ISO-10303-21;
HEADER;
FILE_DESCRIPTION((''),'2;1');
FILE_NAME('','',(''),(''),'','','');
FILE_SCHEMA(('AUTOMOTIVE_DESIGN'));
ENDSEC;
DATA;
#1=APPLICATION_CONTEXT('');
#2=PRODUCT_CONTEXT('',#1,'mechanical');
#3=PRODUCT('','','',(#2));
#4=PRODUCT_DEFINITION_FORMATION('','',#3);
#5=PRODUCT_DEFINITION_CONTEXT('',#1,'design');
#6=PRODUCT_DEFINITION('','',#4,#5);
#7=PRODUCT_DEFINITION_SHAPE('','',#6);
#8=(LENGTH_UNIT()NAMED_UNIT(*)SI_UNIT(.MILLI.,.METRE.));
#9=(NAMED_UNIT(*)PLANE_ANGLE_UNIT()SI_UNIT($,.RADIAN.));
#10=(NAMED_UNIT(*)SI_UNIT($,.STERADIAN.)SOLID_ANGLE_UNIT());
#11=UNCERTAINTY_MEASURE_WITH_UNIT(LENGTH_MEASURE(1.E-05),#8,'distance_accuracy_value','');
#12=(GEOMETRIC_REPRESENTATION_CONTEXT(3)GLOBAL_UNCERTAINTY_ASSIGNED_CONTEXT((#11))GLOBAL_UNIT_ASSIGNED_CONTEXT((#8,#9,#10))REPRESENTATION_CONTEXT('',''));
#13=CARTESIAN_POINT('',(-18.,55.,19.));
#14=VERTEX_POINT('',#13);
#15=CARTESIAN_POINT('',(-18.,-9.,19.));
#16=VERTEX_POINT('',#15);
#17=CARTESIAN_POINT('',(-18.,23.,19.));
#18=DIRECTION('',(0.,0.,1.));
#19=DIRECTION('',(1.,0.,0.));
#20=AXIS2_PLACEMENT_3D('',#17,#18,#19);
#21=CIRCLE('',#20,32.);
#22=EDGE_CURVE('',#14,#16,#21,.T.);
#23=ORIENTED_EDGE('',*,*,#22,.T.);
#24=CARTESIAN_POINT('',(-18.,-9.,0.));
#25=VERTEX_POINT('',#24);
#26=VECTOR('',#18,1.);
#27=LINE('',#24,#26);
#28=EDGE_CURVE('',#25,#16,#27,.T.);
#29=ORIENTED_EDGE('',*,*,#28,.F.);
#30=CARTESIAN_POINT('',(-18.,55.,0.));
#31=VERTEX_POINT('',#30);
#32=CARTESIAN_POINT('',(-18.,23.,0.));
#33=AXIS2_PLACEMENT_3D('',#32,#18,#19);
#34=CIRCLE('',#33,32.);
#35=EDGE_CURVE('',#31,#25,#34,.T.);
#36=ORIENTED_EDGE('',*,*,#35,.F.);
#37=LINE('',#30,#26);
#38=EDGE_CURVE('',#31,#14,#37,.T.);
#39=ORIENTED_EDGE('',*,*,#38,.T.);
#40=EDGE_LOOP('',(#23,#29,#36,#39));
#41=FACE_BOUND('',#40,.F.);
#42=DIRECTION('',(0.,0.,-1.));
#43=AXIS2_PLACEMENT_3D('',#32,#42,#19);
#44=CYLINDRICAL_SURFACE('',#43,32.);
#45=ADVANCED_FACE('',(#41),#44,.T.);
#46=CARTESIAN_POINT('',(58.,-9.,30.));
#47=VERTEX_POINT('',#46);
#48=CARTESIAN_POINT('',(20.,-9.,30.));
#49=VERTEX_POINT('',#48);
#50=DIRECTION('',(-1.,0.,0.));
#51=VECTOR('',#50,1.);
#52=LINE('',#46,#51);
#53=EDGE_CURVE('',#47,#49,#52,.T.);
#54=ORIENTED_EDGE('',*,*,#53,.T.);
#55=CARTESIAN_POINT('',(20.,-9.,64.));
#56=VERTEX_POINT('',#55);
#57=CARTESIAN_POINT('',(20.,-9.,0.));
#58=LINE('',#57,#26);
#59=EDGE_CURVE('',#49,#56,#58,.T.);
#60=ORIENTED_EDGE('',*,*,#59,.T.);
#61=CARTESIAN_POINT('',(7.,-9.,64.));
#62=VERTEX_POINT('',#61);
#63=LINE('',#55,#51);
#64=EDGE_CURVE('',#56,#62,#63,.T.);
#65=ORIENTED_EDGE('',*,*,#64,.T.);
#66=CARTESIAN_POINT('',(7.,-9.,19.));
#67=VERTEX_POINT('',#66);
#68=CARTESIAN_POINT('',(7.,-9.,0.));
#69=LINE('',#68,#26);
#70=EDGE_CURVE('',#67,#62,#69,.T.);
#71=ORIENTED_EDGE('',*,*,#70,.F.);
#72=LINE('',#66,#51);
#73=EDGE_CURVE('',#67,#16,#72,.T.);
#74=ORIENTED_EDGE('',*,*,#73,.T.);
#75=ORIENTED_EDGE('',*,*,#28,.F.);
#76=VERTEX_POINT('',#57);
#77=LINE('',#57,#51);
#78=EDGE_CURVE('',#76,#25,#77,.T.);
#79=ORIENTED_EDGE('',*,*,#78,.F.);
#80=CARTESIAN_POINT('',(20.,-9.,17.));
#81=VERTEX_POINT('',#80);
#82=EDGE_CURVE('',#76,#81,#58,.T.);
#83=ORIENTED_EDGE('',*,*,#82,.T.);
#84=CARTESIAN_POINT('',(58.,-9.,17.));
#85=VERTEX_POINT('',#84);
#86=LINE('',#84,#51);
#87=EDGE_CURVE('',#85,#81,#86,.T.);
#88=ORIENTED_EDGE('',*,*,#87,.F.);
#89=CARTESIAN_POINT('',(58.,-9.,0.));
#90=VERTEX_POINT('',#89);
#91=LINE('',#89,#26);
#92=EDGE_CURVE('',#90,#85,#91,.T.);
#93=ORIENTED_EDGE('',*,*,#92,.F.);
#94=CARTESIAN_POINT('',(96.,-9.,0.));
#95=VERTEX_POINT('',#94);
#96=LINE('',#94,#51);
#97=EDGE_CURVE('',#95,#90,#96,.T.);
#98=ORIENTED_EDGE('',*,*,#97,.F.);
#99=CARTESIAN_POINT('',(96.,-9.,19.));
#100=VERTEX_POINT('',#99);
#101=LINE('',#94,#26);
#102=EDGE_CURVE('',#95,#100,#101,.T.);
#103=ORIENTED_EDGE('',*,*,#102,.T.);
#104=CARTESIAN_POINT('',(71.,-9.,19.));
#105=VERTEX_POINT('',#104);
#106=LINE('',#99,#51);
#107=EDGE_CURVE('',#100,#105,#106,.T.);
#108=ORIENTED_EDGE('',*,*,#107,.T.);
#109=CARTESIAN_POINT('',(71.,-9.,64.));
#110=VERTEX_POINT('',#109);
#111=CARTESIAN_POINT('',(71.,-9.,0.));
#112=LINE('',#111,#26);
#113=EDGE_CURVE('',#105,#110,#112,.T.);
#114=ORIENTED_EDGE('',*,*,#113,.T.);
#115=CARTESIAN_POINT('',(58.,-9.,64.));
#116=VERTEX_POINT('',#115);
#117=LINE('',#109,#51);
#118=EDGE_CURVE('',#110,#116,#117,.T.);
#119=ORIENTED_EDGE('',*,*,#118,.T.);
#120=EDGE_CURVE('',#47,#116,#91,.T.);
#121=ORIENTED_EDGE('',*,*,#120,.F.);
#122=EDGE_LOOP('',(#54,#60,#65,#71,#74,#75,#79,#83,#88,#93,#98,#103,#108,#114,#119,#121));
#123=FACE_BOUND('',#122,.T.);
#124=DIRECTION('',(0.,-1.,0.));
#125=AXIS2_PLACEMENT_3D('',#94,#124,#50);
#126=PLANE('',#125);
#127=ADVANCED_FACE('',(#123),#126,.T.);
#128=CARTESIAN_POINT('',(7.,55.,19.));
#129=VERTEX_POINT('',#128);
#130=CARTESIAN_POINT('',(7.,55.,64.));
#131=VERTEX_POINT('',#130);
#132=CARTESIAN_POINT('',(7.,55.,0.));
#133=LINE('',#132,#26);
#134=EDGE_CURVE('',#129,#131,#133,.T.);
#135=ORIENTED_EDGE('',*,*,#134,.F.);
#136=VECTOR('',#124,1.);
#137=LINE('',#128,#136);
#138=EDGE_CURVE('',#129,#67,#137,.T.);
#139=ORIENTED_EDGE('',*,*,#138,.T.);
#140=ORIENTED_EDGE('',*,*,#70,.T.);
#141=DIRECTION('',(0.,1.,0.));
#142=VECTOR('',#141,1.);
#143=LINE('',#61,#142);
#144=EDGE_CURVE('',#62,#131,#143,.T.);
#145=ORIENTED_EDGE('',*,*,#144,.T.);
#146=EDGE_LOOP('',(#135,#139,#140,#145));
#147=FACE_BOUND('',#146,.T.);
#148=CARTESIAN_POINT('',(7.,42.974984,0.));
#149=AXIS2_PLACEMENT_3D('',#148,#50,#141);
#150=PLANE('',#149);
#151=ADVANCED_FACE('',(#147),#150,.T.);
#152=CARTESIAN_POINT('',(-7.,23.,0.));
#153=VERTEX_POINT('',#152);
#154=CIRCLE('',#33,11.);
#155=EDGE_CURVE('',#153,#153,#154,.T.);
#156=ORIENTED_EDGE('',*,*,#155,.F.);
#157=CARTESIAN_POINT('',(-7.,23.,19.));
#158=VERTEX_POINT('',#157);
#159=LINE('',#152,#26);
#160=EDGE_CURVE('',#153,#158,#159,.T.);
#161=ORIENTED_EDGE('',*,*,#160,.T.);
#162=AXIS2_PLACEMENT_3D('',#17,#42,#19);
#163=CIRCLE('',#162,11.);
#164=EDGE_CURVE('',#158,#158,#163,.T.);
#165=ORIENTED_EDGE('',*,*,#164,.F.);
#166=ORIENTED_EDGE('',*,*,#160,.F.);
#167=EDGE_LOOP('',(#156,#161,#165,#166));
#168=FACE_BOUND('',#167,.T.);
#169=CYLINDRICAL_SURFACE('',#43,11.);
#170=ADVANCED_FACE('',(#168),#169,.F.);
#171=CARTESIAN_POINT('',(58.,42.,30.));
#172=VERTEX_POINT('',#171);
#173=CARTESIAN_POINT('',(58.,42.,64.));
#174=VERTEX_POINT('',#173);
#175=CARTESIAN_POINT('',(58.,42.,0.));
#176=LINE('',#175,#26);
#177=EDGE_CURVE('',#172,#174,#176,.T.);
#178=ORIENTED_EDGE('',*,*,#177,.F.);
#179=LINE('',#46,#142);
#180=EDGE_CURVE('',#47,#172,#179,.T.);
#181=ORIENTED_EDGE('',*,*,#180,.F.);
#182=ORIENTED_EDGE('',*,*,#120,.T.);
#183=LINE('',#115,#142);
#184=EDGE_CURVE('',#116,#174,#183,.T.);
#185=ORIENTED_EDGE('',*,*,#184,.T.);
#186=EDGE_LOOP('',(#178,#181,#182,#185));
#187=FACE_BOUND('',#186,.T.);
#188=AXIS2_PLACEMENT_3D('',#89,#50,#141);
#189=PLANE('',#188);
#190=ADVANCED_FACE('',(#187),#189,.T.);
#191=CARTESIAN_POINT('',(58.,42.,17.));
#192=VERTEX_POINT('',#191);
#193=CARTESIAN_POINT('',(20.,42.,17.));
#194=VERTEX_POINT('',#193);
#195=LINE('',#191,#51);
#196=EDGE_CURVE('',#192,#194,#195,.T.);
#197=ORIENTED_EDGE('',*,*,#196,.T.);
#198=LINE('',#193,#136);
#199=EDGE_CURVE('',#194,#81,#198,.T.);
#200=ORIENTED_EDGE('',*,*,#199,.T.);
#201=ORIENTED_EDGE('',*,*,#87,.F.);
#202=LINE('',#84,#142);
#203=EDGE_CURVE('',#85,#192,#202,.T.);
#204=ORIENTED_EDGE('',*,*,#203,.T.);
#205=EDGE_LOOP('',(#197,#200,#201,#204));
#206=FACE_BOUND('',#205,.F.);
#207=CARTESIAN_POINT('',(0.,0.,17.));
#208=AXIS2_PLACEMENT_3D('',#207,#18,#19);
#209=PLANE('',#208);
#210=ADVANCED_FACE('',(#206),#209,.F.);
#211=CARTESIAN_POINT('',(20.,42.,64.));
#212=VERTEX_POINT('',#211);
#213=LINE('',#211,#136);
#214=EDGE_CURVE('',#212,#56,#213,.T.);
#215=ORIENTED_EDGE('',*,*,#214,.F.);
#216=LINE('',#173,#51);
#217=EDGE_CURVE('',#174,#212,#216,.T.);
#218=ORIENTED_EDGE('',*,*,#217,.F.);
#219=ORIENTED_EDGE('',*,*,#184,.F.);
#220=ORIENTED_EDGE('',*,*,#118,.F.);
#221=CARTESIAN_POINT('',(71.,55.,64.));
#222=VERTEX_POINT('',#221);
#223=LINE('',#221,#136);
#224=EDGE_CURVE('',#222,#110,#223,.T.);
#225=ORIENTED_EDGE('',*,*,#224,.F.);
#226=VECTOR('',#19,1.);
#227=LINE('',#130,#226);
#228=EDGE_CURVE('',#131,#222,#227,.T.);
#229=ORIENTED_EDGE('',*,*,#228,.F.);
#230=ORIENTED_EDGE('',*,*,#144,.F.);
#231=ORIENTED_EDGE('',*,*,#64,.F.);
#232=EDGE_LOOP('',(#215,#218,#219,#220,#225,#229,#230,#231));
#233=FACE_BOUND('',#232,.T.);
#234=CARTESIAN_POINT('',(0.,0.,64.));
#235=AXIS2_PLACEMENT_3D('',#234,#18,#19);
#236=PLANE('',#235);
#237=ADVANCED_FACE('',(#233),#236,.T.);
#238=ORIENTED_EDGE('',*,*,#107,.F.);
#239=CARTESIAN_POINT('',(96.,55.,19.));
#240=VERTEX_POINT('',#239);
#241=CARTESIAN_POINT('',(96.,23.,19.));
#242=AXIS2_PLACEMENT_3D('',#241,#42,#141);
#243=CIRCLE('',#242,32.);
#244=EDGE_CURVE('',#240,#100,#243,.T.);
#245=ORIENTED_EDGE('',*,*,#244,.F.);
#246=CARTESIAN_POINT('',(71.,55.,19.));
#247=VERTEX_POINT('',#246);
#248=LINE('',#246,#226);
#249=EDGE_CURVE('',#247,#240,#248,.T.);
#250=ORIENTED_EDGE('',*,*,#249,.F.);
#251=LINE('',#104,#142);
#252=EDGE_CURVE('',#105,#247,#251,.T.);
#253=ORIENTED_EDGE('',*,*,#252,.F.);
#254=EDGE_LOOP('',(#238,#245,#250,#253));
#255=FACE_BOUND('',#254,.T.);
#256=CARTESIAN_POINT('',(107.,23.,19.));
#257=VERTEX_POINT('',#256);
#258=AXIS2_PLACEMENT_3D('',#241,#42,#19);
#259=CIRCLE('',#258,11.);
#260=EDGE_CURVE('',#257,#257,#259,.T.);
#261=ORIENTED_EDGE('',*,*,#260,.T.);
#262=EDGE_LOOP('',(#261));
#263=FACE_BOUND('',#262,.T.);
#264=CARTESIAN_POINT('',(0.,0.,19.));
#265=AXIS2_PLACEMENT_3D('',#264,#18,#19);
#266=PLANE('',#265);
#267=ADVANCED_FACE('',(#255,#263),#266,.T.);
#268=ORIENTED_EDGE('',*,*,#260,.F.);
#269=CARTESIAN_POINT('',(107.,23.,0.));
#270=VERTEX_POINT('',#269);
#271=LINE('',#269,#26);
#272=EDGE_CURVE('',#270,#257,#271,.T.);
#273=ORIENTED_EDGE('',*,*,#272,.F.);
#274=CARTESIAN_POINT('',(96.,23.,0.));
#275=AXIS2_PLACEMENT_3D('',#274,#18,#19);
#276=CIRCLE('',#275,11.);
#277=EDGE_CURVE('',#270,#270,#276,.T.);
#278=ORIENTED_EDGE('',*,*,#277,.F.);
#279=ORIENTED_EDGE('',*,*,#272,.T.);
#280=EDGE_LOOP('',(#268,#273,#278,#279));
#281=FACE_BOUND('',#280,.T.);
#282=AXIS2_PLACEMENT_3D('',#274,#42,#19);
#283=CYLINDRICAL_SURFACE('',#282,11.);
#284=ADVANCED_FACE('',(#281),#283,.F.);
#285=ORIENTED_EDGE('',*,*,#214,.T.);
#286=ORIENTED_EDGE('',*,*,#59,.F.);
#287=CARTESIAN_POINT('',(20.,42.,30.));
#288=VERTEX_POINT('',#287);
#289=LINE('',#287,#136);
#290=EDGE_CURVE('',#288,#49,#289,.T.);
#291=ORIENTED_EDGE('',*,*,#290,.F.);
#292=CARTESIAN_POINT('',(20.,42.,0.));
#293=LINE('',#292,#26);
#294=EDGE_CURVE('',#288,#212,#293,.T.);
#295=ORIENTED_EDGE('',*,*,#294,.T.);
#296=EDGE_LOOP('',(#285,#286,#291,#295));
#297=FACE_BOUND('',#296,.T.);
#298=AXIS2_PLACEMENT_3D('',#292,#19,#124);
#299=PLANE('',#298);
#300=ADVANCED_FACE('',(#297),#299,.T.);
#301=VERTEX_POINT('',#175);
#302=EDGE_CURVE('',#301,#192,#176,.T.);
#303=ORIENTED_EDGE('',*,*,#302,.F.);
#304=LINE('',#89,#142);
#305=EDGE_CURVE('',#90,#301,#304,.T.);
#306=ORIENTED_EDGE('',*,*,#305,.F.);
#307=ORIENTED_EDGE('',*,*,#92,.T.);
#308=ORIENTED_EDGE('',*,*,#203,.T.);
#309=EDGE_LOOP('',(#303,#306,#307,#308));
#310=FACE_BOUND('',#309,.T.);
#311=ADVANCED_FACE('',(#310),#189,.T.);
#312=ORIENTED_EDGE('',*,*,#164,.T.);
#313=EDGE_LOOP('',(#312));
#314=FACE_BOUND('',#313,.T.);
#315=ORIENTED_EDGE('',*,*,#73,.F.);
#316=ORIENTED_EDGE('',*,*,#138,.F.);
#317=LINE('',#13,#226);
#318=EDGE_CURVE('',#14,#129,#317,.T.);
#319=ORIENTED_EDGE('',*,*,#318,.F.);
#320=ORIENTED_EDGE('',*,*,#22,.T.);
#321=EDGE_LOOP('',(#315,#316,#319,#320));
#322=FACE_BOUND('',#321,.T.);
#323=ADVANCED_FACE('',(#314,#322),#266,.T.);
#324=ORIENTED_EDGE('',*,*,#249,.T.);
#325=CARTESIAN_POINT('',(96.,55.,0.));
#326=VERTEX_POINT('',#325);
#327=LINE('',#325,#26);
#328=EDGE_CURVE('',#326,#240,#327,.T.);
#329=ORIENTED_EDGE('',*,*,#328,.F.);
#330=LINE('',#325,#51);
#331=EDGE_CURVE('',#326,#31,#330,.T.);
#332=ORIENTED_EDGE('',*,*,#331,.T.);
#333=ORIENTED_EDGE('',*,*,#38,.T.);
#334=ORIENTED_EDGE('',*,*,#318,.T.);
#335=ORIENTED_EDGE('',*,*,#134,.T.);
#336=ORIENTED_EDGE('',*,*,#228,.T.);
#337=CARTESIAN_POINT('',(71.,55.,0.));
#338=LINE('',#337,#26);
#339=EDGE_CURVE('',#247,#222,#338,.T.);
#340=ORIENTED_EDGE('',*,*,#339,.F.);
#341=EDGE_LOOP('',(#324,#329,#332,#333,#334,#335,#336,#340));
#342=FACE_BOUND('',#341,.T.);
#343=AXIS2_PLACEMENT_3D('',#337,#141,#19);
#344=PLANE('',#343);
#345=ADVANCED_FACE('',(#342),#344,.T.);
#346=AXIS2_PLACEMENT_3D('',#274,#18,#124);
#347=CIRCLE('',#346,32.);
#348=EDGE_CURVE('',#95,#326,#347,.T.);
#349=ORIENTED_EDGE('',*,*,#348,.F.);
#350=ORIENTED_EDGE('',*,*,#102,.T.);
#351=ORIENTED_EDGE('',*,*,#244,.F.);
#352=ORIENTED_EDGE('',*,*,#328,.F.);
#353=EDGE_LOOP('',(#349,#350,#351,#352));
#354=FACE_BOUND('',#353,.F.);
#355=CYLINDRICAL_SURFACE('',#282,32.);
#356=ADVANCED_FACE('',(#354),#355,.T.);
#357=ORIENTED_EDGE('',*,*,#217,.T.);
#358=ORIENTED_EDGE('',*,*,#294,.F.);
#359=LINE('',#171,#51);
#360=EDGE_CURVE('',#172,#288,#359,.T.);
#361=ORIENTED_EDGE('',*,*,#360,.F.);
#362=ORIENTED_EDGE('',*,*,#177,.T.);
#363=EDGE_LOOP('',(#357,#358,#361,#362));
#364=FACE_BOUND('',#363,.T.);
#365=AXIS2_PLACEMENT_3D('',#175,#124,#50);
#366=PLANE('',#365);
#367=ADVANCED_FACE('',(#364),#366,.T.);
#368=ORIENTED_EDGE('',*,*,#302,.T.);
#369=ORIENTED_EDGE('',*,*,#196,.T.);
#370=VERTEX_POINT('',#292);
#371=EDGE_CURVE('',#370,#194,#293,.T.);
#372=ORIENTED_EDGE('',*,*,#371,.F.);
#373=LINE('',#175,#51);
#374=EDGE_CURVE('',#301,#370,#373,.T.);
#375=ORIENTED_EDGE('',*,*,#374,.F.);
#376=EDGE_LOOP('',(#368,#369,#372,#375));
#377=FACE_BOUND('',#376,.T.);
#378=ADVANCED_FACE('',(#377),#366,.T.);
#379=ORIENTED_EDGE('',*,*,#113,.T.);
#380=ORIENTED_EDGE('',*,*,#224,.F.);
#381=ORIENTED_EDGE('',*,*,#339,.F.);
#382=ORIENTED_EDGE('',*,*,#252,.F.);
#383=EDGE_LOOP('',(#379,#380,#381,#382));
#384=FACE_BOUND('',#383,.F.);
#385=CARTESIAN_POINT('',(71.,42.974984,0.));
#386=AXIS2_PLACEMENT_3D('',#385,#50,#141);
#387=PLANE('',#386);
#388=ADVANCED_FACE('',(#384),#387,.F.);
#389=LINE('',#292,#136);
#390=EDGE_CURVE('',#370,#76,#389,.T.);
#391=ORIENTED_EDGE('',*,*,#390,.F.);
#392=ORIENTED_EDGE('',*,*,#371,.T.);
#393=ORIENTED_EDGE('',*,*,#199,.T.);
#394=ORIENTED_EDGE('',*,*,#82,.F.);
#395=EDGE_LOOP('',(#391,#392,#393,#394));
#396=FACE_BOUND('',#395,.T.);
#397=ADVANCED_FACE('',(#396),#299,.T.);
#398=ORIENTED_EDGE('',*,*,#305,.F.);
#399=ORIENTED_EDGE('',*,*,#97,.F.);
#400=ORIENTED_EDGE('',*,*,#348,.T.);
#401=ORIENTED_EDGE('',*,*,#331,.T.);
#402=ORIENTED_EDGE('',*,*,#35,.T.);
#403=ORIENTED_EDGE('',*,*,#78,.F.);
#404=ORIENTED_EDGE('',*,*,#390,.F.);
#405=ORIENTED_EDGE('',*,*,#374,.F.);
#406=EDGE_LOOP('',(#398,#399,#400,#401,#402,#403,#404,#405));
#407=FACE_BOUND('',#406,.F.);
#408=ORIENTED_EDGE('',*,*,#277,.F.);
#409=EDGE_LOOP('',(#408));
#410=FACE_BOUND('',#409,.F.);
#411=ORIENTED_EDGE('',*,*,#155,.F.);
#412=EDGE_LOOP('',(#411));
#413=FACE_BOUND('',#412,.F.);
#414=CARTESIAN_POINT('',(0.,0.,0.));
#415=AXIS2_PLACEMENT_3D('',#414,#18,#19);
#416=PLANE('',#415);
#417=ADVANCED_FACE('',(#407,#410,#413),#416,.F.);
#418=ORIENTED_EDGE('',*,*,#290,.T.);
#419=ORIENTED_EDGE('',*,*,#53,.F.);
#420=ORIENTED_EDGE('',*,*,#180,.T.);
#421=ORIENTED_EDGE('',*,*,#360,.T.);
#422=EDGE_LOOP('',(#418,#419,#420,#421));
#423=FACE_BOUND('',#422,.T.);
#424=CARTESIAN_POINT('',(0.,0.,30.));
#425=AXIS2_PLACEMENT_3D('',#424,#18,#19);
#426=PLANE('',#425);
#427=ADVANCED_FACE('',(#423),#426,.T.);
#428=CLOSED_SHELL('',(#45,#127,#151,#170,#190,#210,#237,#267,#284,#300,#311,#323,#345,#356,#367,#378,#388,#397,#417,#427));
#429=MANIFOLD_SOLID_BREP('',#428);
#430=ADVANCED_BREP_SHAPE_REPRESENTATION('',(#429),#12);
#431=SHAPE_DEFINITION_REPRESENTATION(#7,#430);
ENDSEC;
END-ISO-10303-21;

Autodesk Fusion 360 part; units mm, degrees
sketch "Sketch2" plane through (0, 0, 0) normal (0, 0, 1) x (1, 0, 0)
  line L0 (-18, 55) -> (7, 55)
  line L1 (7, 55) -> (71, 55)
  line L2 (71, 55) -> (96, 55)
  line L3 (96, -9) -> (96, 23)
  line L4 (96, 23) -> (96, 55)
  line L5 (96, -9) -> (71, -9)
  line L6 (71, -9) -> (58, -9)
  line L7 (58, -9) -> (20, -9)
  line L8 (20, -9) -> (7, -9)
  line L9 (7, -9) -> (-18, -9)
  line L10 (71, -9) -> (71, 55)
  line L11 (58, -9) -> (58, 42)
  line L12 (58, 42) -> (20, 42)
  line L13 (20, 42) -> (20, -9)
  line L14 (7, -9) -> (7, 55)
  line L15 (-18, -9) -> (-18, 55)
  circle A0 centre (96, 23) radius 32
  circle A1 centre (-18, 23) radius 32
  circle A2 centre (-18, 23) radius 11
  circle A3 centre (96, 23) radius 11
  dimension "d7" = 25
  dimension "d8" = 64
  dimension "d9" = 25
  dimension "d13" = 32
  dimension "d14" = 25
  dimension "d15" = 13
  dimension "d16" = 38
  dimension "d17" = 13
  dimension "d18" = 25
  dimension "d20" = 51
  dimension "d21" = 38
  dimension "d23" = 22
  dimension "d24" = 22
extrude "Extrude1" add sketch "Sketch2" along normal blind 19 contours L14 L15 A1 A2 | L15 A1 A2 | L0 L14 A1 | L9 L14 A1 | L2 L10 A0 | L3 L4 A0 A3 | L3 L4 L10 A0 A3 | L5 L10 A0 makes body 1 at (85.8333, -1.5088, 19) makes body 2 at (-7.8333, -1.5088, 0)
extrude "Extrude2" add sketch "Sketch2" along normal blind 64 contours L1 L6 L8 L10 L11 L12 L13 L14 A0 A1 | L14 A1 | L10 A0 bodies 1 2
ref_plane "WorkPlane1" through (39, -9, 0) normal (0, -0.7071, 0.7071) x (-1, 0, 0)
extrude "Extrude3" add sketch "Sketch2" along normal blind 13 contours L7 L11 L12 L13 start surface through (39, -9, 0) normal (0, -0.707107, 0.707107) bodies 1
